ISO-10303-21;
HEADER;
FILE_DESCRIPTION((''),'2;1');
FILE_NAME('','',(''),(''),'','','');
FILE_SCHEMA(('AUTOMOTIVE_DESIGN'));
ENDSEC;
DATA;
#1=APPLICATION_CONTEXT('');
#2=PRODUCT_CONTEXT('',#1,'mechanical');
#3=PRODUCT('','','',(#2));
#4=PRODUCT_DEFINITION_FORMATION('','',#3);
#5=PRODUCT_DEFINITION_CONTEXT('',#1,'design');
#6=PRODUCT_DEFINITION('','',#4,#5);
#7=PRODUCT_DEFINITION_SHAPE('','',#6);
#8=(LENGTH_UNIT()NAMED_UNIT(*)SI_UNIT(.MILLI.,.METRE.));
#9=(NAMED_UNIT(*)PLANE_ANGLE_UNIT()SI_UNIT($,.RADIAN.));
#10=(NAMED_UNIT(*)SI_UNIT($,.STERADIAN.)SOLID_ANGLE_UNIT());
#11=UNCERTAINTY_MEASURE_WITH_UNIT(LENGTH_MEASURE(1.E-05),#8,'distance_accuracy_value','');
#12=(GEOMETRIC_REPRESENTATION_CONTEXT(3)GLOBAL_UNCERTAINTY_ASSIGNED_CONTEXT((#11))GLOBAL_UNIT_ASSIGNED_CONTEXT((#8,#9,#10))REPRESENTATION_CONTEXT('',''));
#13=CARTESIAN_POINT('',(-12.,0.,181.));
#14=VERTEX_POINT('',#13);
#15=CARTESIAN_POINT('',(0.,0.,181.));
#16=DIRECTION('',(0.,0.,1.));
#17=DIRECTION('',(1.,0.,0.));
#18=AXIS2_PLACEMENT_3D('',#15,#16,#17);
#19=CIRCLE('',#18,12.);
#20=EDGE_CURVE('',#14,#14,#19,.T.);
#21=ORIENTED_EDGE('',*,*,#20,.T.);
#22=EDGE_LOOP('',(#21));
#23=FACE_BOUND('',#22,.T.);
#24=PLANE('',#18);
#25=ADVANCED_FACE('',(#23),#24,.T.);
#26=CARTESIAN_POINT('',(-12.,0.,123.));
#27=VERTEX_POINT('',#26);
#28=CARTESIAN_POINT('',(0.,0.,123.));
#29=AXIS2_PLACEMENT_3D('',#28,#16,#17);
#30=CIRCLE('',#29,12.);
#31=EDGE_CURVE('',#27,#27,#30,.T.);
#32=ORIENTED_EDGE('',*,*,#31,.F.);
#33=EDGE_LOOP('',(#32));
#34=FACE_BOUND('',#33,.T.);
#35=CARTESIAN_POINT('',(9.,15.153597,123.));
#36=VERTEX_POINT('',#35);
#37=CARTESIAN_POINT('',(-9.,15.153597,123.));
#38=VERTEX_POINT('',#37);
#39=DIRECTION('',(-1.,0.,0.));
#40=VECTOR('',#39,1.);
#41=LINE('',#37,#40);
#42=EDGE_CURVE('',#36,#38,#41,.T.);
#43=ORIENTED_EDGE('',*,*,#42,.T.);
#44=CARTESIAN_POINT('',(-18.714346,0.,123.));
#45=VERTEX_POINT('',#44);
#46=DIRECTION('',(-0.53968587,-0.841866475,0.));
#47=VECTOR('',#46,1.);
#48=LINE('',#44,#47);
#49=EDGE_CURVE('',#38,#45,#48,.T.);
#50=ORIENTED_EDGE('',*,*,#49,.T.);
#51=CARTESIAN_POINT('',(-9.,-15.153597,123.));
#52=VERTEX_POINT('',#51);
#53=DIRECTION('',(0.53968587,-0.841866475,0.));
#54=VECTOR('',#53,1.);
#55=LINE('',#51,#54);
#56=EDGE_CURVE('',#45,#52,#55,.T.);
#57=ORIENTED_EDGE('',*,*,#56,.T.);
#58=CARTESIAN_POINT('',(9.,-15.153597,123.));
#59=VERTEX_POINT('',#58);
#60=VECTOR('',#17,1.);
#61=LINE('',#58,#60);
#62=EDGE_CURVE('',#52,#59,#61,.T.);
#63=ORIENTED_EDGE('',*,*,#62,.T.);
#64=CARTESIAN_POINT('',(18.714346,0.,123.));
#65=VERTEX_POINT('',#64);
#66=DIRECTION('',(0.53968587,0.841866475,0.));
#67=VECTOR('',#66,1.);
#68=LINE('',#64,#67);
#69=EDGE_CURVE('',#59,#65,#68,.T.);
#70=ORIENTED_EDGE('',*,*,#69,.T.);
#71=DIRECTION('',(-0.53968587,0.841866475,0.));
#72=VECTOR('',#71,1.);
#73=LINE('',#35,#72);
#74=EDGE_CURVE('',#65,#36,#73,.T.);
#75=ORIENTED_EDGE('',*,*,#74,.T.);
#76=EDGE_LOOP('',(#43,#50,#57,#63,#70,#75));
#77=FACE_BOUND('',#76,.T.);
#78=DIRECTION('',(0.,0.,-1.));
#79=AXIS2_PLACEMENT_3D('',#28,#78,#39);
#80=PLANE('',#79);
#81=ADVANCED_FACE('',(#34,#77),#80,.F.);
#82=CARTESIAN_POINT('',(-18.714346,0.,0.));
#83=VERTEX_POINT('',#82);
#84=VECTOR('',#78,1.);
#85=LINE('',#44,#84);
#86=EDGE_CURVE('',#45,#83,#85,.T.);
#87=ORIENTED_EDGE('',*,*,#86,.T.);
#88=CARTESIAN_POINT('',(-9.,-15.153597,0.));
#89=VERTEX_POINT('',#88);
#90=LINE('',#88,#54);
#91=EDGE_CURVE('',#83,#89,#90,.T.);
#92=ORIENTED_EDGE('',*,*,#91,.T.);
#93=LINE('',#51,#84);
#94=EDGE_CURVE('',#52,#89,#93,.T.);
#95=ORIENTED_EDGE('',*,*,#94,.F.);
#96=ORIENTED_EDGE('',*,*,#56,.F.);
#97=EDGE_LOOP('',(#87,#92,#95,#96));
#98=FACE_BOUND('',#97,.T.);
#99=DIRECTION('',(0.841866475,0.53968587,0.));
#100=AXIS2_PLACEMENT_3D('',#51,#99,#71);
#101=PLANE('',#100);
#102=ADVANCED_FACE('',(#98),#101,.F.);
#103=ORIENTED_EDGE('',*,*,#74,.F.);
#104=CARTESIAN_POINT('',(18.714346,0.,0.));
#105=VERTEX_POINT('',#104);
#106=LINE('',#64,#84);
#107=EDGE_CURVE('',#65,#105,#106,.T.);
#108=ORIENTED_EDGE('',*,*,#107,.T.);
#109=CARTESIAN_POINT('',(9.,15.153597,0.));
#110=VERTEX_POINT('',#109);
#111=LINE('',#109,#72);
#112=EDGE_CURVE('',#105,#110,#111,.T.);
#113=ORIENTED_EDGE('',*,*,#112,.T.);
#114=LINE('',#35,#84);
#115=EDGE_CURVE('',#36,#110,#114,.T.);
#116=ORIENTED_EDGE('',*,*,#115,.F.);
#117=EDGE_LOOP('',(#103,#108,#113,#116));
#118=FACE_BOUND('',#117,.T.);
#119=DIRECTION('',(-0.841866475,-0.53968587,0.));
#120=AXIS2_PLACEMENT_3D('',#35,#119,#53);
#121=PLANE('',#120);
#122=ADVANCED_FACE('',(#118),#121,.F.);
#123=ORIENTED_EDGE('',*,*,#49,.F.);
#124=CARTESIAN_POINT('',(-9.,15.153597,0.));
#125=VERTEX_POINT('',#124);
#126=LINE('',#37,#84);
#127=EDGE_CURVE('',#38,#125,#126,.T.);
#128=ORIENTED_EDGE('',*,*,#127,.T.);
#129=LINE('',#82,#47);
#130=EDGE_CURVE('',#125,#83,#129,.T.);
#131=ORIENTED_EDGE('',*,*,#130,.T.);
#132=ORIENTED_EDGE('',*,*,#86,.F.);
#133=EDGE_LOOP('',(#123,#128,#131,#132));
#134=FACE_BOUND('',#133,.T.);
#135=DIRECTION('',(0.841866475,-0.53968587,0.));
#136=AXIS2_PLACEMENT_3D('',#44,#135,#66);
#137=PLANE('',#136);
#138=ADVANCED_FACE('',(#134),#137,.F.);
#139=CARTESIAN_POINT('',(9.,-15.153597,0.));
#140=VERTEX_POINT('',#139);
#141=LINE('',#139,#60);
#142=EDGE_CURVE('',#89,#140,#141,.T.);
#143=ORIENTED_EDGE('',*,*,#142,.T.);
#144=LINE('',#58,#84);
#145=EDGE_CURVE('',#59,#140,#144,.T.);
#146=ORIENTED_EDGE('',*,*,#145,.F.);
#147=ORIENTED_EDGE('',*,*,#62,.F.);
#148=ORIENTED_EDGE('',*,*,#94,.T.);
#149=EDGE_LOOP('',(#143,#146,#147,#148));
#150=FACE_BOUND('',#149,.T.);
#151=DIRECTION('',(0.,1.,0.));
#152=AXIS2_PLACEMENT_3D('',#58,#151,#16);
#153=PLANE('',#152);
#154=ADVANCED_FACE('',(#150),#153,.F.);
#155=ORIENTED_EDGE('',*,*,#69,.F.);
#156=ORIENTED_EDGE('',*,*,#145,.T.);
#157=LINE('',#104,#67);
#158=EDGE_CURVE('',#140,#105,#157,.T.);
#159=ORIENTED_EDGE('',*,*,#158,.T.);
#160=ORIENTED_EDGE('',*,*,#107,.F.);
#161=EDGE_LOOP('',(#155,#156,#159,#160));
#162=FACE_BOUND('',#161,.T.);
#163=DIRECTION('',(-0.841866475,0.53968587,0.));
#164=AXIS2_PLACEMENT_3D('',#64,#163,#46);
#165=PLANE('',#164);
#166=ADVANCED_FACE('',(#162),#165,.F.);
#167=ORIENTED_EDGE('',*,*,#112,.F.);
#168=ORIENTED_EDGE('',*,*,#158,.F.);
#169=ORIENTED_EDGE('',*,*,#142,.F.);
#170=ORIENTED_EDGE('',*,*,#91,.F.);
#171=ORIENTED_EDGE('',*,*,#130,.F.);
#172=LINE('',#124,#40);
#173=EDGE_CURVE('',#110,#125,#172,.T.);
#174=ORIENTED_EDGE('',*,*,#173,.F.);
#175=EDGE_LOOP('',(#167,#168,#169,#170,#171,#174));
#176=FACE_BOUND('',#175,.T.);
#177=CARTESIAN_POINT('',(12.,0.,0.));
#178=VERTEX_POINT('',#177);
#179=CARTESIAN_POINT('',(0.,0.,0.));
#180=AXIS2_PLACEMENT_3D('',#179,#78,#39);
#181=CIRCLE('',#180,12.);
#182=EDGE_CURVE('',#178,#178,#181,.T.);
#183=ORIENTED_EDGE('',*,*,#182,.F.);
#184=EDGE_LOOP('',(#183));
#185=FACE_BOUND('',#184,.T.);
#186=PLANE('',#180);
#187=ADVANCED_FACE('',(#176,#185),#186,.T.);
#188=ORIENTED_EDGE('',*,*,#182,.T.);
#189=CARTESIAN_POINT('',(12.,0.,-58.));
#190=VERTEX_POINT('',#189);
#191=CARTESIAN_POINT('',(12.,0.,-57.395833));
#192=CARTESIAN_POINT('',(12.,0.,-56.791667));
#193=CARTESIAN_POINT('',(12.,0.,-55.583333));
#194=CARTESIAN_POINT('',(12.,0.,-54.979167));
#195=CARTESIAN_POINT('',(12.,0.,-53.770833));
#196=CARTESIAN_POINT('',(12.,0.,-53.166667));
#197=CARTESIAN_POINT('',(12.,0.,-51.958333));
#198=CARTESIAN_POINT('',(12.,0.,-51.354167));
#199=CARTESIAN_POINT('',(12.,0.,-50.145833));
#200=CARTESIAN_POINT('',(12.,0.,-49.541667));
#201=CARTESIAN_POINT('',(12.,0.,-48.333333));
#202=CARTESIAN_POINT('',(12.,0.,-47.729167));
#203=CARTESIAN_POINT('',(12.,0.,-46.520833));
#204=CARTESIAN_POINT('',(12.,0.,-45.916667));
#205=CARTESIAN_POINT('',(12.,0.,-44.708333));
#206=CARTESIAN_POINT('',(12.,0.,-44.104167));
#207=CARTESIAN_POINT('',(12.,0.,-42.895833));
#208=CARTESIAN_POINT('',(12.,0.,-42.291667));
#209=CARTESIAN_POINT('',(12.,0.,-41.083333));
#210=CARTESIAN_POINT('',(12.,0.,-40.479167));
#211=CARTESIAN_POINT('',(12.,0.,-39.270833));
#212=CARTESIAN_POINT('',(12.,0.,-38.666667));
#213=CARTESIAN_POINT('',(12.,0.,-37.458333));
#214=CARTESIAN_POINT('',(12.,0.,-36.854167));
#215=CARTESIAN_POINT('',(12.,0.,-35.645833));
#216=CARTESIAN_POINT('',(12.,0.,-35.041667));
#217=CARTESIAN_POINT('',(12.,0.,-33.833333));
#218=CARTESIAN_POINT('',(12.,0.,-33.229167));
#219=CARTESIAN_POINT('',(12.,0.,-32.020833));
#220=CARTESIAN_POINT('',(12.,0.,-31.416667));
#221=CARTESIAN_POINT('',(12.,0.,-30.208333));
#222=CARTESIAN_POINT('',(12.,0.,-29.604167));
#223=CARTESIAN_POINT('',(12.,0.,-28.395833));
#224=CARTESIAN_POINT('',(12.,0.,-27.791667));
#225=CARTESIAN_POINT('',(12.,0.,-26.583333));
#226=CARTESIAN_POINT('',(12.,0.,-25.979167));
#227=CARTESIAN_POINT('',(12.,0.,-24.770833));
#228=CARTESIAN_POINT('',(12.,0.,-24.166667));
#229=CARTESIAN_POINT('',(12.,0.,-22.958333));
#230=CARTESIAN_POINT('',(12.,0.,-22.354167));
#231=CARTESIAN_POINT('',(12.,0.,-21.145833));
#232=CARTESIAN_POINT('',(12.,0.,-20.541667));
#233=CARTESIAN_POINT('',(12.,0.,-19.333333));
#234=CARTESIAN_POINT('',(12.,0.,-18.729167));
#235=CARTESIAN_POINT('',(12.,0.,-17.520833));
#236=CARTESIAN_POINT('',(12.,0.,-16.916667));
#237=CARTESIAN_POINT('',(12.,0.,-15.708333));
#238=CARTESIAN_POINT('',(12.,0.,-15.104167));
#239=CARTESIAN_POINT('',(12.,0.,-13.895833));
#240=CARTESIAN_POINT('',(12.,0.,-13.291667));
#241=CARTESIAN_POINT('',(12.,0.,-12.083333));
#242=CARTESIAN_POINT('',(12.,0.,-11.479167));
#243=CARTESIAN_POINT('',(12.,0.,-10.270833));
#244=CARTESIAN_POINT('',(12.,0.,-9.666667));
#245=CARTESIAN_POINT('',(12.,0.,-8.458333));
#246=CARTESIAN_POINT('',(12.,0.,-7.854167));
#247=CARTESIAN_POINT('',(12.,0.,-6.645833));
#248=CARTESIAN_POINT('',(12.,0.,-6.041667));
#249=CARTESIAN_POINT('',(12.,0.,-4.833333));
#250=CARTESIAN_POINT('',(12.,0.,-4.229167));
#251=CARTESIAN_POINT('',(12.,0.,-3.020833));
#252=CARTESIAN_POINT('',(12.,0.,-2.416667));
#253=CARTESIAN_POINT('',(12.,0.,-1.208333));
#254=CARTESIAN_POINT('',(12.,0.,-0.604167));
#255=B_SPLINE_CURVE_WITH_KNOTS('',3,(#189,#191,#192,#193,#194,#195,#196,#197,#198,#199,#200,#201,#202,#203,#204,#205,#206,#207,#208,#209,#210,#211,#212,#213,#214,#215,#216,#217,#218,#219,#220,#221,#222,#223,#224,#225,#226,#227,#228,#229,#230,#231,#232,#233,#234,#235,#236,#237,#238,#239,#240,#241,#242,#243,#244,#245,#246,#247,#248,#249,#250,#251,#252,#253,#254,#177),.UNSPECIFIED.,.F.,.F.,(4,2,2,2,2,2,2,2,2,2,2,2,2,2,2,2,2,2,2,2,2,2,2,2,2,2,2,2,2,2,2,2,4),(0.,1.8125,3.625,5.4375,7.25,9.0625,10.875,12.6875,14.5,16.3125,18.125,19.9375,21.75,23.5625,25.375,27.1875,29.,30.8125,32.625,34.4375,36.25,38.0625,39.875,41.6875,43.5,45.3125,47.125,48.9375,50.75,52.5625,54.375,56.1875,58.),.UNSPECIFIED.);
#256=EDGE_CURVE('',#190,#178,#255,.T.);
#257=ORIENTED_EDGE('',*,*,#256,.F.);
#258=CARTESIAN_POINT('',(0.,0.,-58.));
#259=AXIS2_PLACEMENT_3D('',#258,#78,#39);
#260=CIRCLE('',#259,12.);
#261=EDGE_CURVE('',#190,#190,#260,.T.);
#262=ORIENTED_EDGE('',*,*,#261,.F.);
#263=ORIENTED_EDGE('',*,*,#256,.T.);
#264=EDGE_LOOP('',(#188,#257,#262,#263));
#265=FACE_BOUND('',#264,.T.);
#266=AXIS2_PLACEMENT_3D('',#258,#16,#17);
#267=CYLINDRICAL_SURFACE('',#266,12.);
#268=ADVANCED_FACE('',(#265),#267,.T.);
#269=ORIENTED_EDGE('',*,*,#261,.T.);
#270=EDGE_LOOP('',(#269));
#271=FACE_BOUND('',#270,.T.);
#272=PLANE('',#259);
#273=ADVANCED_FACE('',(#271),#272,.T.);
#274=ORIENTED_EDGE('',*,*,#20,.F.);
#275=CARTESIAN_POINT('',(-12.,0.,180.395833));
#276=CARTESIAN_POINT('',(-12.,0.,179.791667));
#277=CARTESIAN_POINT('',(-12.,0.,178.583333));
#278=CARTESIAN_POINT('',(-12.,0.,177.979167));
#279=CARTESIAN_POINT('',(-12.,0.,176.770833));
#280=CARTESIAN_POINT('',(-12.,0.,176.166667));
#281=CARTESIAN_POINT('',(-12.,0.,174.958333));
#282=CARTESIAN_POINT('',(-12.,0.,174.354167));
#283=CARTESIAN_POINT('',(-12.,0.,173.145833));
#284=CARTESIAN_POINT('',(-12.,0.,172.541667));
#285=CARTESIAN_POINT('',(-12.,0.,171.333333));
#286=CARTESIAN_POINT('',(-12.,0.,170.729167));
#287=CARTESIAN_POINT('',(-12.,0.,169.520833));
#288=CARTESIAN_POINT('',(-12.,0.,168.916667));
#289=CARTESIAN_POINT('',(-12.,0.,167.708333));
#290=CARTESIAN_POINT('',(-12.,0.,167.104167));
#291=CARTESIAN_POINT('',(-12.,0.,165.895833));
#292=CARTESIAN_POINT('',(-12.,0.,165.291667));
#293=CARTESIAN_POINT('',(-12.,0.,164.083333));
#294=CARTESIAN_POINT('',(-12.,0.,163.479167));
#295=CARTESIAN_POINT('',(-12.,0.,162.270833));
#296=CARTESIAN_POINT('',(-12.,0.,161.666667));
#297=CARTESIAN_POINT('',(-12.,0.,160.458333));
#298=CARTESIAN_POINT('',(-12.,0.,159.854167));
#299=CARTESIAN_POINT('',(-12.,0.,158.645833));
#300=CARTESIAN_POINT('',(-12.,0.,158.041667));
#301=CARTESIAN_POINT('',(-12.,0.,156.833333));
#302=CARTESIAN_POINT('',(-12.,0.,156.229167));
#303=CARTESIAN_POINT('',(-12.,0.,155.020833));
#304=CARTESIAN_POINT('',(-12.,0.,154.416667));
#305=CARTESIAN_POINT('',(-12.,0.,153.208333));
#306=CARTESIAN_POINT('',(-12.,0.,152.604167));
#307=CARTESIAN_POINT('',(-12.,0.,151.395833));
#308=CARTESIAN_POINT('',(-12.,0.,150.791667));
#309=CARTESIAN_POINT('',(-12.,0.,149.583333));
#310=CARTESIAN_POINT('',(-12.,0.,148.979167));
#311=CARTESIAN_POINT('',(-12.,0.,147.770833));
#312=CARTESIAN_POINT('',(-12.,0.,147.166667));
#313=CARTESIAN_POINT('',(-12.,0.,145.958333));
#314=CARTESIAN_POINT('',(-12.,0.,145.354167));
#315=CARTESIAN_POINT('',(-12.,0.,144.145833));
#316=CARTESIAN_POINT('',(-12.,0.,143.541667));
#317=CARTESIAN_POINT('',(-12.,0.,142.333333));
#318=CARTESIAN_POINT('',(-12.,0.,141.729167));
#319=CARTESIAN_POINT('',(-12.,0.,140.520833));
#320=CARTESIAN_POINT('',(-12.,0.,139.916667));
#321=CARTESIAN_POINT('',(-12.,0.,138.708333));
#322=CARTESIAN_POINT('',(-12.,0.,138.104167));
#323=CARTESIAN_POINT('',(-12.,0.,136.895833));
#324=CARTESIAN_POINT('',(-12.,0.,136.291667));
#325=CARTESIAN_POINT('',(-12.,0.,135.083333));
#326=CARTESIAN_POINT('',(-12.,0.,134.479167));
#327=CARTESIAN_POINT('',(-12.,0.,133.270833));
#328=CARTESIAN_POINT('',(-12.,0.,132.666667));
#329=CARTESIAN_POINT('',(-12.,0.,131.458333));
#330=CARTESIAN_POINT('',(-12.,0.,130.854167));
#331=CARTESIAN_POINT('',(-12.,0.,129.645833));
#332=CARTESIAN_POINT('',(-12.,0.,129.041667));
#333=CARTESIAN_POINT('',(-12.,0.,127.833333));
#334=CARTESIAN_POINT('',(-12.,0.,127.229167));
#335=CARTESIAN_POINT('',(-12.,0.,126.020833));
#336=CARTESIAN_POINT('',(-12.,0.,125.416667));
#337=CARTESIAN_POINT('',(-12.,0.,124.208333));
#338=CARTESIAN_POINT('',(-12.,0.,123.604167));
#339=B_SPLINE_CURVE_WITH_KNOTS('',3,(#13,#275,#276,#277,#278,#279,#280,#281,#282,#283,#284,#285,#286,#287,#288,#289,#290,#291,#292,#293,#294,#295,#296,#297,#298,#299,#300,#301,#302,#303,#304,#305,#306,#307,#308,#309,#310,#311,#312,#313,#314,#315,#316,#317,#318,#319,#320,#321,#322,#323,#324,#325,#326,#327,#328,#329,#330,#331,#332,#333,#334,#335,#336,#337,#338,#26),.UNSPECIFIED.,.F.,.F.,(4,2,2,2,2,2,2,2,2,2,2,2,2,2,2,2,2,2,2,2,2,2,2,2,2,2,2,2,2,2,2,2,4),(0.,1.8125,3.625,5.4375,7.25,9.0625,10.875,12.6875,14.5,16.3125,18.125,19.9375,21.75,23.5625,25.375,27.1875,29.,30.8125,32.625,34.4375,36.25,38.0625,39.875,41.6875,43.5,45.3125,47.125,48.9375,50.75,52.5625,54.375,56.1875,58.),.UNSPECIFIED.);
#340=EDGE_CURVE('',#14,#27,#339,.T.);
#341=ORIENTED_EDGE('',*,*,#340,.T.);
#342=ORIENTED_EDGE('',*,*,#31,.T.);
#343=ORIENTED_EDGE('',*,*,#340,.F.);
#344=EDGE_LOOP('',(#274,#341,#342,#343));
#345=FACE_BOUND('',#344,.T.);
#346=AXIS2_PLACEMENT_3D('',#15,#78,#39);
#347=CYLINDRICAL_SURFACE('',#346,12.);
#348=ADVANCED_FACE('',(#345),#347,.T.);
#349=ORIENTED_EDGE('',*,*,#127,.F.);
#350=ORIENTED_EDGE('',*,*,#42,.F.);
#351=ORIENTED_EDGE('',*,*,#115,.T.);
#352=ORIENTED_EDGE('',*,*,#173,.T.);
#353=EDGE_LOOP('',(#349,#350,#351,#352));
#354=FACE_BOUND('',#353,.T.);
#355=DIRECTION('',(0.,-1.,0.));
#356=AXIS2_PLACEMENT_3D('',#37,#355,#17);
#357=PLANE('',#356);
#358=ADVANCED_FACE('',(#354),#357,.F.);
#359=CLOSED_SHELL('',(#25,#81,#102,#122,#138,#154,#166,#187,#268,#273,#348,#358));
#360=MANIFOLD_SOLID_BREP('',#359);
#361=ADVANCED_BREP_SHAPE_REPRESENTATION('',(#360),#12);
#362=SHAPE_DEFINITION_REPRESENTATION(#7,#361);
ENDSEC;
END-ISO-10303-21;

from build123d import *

# Parameters (mm, degrees)
BOSS_EXTRUDE1_DEPTH = 123
SKETCH2_R           = 12
BOSS_EXTRUDE2_DEPTH = 58
BOSS_EXTRUDE3_START = 58
SKETCH3_R           = 12
BOSS_EXTRUDE3_DEPTH = 58


with BuildPart() as part:
    # Sketch1 → Boss-Extrude1 (new body)
    with BuildSketch(Plane.XY):
        Polygon((-9, 15.15359655), (9, 15.15359655), (18.714345659, 0), (9, -15.15359655), (-9, -15.15359655), (-18.714345659, 0), align=None)
    extrude(amount=BOSS_EXTRUDE1_DEPTH)

    # Sketch2 → Boss-Extrude2 (add)
    with BuildSketch(Plane(origin=(0, 0, 0), x_dir=(-1, 0, 0), z_dir=(0, 0, -1))):
        with Locations(Location((0, 0, 0), (0, 0, 180))):
            Circle(SKETCH2_R)
    extrude(amount=BOSS_EXTRUDE2_DEPTH)

    # Sketch3 → Boss-Extrude3 (add)
    with BuildSketch(Plane.XY.offset(123).offset(BOSS_EXTRUDE3_START)):
        Circle(SKETCH3_R)
    extrude(amount=-BOSS_EXTRUDE3_DEPTH)


solid = part.part
